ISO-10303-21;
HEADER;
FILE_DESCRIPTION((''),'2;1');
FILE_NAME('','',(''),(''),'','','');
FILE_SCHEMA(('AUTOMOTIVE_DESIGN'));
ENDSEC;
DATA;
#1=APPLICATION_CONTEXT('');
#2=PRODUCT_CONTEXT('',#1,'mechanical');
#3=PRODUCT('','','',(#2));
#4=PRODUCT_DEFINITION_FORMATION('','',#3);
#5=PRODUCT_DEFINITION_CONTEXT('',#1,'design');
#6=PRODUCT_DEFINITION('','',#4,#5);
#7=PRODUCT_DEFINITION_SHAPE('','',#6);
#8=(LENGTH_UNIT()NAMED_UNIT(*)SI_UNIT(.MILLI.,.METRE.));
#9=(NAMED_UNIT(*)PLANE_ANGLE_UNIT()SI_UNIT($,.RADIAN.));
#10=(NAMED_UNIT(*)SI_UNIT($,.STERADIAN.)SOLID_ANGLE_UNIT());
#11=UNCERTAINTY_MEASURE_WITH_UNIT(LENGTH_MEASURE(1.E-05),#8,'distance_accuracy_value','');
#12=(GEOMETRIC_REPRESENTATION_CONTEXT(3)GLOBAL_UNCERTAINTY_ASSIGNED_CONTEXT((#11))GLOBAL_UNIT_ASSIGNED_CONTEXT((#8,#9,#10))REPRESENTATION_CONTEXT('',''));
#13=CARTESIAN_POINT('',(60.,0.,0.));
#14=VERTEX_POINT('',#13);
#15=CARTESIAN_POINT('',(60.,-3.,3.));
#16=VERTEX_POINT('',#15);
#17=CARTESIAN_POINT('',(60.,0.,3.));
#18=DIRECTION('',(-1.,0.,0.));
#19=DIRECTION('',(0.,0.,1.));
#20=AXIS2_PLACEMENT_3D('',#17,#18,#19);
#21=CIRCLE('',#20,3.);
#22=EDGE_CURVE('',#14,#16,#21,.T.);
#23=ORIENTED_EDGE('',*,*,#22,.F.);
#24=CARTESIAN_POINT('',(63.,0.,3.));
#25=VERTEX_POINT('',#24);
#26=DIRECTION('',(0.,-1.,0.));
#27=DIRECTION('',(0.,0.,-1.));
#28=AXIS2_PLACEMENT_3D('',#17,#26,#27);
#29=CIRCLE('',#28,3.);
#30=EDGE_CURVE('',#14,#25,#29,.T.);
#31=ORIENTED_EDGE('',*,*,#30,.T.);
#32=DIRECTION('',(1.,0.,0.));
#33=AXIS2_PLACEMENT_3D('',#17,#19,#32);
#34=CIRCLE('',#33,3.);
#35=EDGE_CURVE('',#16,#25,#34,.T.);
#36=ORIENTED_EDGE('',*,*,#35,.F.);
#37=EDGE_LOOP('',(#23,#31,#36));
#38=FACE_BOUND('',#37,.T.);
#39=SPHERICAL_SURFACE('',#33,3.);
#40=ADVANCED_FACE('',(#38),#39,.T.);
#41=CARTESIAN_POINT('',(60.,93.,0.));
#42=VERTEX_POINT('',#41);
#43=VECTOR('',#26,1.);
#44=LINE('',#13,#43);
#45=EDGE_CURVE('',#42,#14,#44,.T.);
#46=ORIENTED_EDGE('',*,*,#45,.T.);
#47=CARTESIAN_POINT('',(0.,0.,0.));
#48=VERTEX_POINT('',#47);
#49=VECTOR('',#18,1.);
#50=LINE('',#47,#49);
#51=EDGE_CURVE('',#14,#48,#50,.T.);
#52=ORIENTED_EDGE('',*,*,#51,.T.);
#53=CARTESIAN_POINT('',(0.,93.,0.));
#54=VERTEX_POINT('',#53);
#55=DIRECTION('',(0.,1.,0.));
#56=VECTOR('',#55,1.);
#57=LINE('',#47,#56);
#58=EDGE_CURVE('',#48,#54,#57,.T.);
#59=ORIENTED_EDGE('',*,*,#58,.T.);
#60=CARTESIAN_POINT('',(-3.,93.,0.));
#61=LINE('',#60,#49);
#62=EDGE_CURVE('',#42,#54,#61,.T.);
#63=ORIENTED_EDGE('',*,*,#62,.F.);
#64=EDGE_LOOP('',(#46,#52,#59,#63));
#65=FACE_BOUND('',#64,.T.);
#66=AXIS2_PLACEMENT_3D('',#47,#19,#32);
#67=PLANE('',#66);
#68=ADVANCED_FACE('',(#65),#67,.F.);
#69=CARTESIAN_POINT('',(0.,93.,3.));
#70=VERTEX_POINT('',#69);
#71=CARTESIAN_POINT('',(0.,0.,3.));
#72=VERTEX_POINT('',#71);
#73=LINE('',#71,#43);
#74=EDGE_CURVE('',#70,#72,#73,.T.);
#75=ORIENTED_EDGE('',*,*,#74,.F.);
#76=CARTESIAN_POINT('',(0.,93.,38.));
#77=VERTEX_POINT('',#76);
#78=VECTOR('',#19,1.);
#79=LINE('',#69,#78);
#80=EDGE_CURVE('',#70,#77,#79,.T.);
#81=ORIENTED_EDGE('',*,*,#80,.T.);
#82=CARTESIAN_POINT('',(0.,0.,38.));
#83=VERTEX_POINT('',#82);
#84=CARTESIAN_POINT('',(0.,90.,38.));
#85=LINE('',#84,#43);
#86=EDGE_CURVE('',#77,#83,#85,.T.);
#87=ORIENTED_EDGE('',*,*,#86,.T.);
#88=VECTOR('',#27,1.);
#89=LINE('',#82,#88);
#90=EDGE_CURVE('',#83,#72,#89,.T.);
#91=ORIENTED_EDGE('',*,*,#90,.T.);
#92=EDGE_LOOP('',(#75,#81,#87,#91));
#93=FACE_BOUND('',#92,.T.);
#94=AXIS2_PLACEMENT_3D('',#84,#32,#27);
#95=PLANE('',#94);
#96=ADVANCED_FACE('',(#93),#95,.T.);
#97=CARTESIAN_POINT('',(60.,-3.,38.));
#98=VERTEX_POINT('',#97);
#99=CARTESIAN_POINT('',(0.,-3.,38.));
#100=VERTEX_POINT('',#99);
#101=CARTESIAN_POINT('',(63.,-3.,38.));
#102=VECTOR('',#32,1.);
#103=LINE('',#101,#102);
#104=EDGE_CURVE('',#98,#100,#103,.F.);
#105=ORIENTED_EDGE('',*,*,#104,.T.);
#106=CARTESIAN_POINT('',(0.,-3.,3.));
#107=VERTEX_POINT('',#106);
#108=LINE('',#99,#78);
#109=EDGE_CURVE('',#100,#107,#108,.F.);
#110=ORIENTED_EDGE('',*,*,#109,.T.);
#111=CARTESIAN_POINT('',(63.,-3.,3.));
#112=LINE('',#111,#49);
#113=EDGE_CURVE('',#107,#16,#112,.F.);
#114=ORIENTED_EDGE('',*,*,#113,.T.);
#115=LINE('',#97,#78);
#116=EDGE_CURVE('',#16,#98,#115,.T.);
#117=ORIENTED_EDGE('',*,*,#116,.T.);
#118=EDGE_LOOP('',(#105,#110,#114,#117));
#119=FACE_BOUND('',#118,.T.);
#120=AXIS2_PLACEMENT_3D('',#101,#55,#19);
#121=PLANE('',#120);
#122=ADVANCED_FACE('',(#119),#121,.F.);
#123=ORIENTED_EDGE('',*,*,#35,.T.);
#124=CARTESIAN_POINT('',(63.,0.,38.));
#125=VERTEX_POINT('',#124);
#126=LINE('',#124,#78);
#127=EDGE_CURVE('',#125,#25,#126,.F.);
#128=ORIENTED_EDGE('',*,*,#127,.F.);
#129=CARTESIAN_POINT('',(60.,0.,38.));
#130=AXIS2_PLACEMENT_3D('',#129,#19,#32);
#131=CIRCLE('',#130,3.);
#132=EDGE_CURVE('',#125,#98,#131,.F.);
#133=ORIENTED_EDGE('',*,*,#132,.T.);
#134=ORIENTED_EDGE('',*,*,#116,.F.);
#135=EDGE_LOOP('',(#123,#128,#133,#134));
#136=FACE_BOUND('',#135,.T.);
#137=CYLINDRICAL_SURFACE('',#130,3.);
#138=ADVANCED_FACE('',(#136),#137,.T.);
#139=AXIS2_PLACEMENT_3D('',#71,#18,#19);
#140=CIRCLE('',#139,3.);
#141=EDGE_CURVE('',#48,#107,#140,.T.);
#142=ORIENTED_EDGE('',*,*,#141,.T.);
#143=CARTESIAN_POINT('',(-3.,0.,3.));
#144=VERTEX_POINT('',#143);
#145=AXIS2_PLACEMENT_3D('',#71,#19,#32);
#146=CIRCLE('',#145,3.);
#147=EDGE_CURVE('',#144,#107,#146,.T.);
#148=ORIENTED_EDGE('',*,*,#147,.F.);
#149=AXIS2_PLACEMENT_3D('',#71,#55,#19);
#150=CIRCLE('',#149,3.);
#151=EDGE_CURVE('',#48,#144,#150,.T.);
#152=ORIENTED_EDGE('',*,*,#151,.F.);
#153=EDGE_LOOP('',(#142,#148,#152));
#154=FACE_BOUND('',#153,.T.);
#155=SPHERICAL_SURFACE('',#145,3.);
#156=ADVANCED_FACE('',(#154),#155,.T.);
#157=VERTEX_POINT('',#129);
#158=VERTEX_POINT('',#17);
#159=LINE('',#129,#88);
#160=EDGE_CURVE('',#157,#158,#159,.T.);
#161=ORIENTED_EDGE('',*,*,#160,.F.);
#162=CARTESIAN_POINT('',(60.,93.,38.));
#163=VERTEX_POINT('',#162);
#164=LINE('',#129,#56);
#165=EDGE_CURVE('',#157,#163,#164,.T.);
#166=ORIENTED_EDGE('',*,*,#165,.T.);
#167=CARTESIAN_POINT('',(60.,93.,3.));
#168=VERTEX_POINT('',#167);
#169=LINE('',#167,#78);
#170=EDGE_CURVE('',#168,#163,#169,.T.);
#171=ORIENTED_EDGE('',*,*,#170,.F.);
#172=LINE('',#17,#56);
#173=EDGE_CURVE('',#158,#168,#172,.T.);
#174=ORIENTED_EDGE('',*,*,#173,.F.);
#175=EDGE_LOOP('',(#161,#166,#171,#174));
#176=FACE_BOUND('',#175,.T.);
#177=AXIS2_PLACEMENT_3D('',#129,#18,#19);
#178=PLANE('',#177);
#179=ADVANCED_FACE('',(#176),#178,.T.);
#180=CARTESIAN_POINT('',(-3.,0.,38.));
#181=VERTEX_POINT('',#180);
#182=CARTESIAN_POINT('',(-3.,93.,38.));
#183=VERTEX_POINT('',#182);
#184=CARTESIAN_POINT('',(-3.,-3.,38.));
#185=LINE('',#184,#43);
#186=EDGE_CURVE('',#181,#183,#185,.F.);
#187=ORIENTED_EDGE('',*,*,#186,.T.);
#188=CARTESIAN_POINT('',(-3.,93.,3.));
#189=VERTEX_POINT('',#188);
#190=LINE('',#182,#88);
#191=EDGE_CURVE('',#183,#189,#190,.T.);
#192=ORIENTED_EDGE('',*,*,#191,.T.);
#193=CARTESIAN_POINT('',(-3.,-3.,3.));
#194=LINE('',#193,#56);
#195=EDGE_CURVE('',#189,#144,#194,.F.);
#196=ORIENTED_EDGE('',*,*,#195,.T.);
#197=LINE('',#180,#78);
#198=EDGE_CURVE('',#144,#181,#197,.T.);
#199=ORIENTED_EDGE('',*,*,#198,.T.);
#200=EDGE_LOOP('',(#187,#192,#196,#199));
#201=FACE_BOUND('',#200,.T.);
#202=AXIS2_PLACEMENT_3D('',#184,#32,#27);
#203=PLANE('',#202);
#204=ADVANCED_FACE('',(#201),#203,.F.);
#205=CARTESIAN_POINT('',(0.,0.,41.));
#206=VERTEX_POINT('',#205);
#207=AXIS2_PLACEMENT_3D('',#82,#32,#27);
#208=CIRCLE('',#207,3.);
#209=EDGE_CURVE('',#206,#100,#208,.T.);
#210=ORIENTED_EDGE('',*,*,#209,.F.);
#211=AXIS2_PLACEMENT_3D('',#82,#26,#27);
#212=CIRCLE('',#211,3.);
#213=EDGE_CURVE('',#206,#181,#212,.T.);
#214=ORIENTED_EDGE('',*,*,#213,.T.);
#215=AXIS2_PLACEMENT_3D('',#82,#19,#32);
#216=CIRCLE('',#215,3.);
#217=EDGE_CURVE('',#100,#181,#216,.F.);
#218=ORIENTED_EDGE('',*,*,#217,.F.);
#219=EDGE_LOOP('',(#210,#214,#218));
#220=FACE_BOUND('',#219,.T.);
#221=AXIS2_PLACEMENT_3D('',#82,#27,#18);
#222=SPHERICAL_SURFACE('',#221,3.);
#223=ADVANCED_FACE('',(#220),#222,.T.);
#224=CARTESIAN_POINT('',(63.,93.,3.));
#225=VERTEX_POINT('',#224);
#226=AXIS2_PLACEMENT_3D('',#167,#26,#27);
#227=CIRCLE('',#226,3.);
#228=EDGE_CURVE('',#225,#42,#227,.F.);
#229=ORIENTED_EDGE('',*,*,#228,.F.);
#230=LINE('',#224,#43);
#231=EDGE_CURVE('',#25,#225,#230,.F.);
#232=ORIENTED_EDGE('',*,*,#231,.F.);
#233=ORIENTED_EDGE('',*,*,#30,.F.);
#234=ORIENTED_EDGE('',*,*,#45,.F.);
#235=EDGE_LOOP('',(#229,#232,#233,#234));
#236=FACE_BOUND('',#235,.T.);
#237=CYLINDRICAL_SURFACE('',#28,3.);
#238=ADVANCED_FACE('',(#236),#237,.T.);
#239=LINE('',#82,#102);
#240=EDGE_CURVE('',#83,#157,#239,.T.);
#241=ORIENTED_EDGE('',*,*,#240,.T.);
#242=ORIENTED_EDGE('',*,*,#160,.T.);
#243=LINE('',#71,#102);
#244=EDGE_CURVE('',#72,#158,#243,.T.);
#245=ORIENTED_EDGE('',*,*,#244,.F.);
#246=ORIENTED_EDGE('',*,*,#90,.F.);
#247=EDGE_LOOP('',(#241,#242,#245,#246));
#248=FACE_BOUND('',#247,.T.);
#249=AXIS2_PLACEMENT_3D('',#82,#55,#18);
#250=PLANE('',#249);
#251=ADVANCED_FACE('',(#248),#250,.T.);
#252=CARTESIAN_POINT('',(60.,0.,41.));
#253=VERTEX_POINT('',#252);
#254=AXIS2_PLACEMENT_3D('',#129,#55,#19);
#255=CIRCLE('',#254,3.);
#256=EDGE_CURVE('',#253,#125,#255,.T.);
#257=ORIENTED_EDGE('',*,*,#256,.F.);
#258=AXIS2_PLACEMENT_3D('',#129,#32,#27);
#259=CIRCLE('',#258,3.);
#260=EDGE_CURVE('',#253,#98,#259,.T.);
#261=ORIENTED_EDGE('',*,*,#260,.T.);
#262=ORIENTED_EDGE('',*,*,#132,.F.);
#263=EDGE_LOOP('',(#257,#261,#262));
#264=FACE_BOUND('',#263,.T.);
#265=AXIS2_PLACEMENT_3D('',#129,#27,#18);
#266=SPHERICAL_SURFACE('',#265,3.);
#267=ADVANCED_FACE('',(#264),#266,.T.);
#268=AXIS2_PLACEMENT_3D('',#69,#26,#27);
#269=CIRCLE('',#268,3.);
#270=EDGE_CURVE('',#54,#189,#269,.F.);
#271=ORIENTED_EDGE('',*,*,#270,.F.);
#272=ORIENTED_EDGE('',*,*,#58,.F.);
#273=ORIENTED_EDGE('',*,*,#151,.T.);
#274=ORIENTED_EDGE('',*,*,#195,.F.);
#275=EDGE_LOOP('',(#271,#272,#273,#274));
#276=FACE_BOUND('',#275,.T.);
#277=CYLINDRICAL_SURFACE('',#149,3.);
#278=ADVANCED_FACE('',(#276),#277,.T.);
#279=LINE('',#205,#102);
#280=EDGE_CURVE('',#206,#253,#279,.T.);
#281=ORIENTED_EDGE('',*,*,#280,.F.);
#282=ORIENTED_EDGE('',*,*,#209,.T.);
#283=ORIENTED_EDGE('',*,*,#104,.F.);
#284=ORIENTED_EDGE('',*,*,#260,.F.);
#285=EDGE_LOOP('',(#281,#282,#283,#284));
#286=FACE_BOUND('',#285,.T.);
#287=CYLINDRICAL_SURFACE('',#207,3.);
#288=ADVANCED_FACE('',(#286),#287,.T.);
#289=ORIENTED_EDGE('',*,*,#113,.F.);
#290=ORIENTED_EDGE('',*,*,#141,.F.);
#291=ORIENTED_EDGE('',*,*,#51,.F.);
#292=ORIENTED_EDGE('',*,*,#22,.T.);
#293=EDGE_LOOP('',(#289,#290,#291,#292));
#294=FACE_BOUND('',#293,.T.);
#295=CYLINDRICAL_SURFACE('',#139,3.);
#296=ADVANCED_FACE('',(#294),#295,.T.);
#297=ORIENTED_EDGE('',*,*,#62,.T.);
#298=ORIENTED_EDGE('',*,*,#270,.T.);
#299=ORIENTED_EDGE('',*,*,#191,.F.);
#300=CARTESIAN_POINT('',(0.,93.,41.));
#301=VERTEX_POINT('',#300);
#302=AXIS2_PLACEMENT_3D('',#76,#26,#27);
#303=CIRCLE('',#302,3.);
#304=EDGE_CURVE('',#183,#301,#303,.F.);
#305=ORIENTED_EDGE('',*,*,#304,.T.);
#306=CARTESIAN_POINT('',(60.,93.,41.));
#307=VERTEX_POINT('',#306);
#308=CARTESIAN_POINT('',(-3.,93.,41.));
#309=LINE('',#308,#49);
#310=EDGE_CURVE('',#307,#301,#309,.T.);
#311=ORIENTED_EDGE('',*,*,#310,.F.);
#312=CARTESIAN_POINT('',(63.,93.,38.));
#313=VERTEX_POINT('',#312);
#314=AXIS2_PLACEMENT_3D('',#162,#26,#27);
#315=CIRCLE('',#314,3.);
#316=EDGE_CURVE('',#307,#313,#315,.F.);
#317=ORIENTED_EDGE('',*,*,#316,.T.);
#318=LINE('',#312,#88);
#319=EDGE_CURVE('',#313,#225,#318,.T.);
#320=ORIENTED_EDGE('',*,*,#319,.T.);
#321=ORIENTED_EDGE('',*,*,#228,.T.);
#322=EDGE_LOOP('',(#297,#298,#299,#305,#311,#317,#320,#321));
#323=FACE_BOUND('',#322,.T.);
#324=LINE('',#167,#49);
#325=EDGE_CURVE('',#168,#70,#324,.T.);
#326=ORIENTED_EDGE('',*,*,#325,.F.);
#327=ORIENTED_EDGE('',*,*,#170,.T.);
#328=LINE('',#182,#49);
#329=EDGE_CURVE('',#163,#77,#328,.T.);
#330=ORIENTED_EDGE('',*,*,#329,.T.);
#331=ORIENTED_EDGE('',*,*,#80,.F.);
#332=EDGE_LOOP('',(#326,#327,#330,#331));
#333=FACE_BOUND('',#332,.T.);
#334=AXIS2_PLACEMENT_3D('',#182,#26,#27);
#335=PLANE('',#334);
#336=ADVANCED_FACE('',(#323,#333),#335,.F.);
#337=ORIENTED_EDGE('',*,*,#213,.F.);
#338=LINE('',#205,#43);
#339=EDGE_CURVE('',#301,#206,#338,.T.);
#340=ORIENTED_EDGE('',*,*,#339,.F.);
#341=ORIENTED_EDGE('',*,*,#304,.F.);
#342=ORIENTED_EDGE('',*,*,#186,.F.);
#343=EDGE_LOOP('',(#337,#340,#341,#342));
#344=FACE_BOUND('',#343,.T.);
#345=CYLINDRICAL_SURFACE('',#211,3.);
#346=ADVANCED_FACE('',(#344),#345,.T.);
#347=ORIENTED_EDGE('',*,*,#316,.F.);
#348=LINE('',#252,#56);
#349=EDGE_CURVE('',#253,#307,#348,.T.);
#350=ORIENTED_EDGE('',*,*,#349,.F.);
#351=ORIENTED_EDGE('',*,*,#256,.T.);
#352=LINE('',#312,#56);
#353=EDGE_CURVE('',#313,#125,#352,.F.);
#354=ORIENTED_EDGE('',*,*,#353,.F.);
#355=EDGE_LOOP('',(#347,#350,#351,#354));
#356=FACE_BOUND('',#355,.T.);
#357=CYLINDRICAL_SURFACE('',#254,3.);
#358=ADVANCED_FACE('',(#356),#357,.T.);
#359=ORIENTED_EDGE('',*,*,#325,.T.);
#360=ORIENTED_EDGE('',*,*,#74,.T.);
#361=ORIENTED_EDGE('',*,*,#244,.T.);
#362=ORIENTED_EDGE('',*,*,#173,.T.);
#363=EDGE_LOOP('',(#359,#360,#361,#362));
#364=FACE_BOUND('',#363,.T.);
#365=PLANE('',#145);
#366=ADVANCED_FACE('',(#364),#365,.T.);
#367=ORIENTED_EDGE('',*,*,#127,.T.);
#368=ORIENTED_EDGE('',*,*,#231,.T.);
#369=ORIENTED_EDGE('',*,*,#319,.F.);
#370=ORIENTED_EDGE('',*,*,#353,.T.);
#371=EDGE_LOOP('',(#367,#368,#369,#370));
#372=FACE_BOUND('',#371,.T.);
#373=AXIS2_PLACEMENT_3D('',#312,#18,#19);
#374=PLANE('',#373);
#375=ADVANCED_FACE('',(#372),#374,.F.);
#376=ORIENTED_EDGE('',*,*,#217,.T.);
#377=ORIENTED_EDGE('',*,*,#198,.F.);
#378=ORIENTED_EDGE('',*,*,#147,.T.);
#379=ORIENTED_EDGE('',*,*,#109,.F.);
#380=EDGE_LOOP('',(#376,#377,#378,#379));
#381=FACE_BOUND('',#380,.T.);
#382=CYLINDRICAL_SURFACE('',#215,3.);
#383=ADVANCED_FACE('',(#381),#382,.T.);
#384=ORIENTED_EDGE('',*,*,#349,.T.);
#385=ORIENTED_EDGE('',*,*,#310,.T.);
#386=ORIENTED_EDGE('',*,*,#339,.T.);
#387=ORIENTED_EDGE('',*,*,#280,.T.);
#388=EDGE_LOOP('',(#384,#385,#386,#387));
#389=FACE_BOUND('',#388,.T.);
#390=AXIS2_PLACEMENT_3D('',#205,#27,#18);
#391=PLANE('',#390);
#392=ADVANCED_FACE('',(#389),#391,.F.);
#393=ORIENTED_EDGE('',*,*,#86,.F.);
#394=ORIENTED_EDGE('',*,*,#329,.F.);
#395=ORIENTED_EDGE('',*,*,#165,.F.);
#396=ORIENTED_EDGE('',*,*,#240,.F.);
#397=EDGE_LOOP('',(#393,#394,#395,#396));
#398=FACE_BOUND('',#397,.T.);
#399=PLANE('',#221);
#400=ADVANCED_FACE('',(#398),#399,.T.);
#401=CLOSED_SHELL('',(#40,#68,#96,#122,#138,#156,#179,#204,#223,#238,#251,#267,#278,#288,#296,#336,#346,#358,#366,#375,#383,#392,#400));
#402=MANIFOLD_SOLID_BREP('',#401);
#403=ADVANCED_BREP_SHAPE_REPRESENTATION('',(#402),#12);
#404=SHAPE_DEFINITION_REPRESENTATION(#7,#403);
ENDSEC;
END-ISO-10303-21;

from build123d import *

# Parameters (mm, degrees)
IZIM1_W                     = 90
IZIM1_H                     = 60
Y_KSEKLIK_EKSTR_ZYON1_DEPTH = 3
IZIM2_W                     = 96
IZIM2_H                     = 66
IZIM2_W_2                   = 90
IZIM2_H_2                   = 60
Y_KSEKLIK_EKSTR_ZYON2_DEPTH = 38
IZIM3_W                     = 60
IZIM3_H                     = 3
KES_EKSTR_ZYON1_DEPTH       = 35
IZIM4_W                     = 66
IZIM4_H                     = 96
Y_KSEKLIK_EKSTR_ZYON3_DEPTH = 3
RADYUS4_R                   = 3
RADYUS5_R                   = 3
RADYUS6_R                   = 3
RADYUS7_R                   = 3


with BuildPart() as part:
    # Çizim1 → Yükseklik-Ekstrüzyon1 (new body)
    with BuildSketch(Plane(origin=(0, 0, 0), x_dir=(0, 1, 0), z_dir=(0, 0, 1))):
        with Locations((45, -30)):
            Rectangle(IZIM1_W, IZIM1_H)
    extrude(amount=Y_KSEKLIK_EKSTR_ZYON1_DEPTH)

    # Çizim2 → Yükseklik-Ekstrüzyon2 (add)
    with BuildSketch(Plane(origin=(0, 0, 0), x_dir=(0, 1, 0), z_dir=(0, 0, 1))):
        with Locations((45, -30)):
            Rectangle(IZIM2_W, IZIM2_H)
        with Locations((45, -30)):
            Rectangle(IZIM2_W_2, IZIM2_H_2, mode=Mode.SUBTRACT)
    extrude(amount=Y_KSEKLIK_EKSTR_ZYON2_DEPTH)

    # Çizim3 → Kes-Ekstrüzyon1 (cut)
    with BuildSketch(Plane.XY.offset(38)):
        with Locations((30, 91.5)):
            Rectangle(IZIM3_W, IZIM3_H)
    extrude(amount=-KES_EKSTR_ZYON1_DEPTH, mode=Mode.SUBTRACT)

    # Çizim4 → Yükseklik-Ekstrüzyon3 (add)
    with BuildSketch(Plane.XY.offset(38)):
        with Locations((30, 45)):
            Rectangle(IZIM4_W, IZIM4_H)
    extrude(amount=Y_KSEKLIK_EKSTR_ZYON3_DEPTH)

    # Radyus4
    radyus4_edges = [part.edges().sort_by_distance(p)[0] for p in [
        (-3, -3, 20.5),
    ]]
    fillet(radyus4_edges, radius=RADYUS4_R)

    # Radyus5
    radyus5_edges = [part.edges().sort_by_distance(p)[0] for p in [
        (63, -3, 20.5),
    ]]
    fillet(radyus5_edges, radius=RADYUS5_R)

    # Radyus6
    radyus6_edges = [part.edges().sort_by_distance(p)[0] for p in [
        (-3, 46.5, 41),
        (30, -3, 41),
        (-2.121320344, -2.121320344, 41),
        (63, 46.5, 41),
        (62.121320344, -2.121320344, 41),
    ]]
    fillet(radyus6_edges, radius=RADYUS6_R)

    # Radyus7
    radyus7_edges = [part.edges().sort_by_distance(p)[0] for p in [
        (-3, 46.5, 0),
        (30, -3, 0),
        (-2.121320344, -2.121320344, 0),
        (63, 46.5, 0),
        (62.121320344, -2.121320344, 0),
    ]]
    fillet(radyus7_edges, radius=RADYUS7_R)


solid = part.part
